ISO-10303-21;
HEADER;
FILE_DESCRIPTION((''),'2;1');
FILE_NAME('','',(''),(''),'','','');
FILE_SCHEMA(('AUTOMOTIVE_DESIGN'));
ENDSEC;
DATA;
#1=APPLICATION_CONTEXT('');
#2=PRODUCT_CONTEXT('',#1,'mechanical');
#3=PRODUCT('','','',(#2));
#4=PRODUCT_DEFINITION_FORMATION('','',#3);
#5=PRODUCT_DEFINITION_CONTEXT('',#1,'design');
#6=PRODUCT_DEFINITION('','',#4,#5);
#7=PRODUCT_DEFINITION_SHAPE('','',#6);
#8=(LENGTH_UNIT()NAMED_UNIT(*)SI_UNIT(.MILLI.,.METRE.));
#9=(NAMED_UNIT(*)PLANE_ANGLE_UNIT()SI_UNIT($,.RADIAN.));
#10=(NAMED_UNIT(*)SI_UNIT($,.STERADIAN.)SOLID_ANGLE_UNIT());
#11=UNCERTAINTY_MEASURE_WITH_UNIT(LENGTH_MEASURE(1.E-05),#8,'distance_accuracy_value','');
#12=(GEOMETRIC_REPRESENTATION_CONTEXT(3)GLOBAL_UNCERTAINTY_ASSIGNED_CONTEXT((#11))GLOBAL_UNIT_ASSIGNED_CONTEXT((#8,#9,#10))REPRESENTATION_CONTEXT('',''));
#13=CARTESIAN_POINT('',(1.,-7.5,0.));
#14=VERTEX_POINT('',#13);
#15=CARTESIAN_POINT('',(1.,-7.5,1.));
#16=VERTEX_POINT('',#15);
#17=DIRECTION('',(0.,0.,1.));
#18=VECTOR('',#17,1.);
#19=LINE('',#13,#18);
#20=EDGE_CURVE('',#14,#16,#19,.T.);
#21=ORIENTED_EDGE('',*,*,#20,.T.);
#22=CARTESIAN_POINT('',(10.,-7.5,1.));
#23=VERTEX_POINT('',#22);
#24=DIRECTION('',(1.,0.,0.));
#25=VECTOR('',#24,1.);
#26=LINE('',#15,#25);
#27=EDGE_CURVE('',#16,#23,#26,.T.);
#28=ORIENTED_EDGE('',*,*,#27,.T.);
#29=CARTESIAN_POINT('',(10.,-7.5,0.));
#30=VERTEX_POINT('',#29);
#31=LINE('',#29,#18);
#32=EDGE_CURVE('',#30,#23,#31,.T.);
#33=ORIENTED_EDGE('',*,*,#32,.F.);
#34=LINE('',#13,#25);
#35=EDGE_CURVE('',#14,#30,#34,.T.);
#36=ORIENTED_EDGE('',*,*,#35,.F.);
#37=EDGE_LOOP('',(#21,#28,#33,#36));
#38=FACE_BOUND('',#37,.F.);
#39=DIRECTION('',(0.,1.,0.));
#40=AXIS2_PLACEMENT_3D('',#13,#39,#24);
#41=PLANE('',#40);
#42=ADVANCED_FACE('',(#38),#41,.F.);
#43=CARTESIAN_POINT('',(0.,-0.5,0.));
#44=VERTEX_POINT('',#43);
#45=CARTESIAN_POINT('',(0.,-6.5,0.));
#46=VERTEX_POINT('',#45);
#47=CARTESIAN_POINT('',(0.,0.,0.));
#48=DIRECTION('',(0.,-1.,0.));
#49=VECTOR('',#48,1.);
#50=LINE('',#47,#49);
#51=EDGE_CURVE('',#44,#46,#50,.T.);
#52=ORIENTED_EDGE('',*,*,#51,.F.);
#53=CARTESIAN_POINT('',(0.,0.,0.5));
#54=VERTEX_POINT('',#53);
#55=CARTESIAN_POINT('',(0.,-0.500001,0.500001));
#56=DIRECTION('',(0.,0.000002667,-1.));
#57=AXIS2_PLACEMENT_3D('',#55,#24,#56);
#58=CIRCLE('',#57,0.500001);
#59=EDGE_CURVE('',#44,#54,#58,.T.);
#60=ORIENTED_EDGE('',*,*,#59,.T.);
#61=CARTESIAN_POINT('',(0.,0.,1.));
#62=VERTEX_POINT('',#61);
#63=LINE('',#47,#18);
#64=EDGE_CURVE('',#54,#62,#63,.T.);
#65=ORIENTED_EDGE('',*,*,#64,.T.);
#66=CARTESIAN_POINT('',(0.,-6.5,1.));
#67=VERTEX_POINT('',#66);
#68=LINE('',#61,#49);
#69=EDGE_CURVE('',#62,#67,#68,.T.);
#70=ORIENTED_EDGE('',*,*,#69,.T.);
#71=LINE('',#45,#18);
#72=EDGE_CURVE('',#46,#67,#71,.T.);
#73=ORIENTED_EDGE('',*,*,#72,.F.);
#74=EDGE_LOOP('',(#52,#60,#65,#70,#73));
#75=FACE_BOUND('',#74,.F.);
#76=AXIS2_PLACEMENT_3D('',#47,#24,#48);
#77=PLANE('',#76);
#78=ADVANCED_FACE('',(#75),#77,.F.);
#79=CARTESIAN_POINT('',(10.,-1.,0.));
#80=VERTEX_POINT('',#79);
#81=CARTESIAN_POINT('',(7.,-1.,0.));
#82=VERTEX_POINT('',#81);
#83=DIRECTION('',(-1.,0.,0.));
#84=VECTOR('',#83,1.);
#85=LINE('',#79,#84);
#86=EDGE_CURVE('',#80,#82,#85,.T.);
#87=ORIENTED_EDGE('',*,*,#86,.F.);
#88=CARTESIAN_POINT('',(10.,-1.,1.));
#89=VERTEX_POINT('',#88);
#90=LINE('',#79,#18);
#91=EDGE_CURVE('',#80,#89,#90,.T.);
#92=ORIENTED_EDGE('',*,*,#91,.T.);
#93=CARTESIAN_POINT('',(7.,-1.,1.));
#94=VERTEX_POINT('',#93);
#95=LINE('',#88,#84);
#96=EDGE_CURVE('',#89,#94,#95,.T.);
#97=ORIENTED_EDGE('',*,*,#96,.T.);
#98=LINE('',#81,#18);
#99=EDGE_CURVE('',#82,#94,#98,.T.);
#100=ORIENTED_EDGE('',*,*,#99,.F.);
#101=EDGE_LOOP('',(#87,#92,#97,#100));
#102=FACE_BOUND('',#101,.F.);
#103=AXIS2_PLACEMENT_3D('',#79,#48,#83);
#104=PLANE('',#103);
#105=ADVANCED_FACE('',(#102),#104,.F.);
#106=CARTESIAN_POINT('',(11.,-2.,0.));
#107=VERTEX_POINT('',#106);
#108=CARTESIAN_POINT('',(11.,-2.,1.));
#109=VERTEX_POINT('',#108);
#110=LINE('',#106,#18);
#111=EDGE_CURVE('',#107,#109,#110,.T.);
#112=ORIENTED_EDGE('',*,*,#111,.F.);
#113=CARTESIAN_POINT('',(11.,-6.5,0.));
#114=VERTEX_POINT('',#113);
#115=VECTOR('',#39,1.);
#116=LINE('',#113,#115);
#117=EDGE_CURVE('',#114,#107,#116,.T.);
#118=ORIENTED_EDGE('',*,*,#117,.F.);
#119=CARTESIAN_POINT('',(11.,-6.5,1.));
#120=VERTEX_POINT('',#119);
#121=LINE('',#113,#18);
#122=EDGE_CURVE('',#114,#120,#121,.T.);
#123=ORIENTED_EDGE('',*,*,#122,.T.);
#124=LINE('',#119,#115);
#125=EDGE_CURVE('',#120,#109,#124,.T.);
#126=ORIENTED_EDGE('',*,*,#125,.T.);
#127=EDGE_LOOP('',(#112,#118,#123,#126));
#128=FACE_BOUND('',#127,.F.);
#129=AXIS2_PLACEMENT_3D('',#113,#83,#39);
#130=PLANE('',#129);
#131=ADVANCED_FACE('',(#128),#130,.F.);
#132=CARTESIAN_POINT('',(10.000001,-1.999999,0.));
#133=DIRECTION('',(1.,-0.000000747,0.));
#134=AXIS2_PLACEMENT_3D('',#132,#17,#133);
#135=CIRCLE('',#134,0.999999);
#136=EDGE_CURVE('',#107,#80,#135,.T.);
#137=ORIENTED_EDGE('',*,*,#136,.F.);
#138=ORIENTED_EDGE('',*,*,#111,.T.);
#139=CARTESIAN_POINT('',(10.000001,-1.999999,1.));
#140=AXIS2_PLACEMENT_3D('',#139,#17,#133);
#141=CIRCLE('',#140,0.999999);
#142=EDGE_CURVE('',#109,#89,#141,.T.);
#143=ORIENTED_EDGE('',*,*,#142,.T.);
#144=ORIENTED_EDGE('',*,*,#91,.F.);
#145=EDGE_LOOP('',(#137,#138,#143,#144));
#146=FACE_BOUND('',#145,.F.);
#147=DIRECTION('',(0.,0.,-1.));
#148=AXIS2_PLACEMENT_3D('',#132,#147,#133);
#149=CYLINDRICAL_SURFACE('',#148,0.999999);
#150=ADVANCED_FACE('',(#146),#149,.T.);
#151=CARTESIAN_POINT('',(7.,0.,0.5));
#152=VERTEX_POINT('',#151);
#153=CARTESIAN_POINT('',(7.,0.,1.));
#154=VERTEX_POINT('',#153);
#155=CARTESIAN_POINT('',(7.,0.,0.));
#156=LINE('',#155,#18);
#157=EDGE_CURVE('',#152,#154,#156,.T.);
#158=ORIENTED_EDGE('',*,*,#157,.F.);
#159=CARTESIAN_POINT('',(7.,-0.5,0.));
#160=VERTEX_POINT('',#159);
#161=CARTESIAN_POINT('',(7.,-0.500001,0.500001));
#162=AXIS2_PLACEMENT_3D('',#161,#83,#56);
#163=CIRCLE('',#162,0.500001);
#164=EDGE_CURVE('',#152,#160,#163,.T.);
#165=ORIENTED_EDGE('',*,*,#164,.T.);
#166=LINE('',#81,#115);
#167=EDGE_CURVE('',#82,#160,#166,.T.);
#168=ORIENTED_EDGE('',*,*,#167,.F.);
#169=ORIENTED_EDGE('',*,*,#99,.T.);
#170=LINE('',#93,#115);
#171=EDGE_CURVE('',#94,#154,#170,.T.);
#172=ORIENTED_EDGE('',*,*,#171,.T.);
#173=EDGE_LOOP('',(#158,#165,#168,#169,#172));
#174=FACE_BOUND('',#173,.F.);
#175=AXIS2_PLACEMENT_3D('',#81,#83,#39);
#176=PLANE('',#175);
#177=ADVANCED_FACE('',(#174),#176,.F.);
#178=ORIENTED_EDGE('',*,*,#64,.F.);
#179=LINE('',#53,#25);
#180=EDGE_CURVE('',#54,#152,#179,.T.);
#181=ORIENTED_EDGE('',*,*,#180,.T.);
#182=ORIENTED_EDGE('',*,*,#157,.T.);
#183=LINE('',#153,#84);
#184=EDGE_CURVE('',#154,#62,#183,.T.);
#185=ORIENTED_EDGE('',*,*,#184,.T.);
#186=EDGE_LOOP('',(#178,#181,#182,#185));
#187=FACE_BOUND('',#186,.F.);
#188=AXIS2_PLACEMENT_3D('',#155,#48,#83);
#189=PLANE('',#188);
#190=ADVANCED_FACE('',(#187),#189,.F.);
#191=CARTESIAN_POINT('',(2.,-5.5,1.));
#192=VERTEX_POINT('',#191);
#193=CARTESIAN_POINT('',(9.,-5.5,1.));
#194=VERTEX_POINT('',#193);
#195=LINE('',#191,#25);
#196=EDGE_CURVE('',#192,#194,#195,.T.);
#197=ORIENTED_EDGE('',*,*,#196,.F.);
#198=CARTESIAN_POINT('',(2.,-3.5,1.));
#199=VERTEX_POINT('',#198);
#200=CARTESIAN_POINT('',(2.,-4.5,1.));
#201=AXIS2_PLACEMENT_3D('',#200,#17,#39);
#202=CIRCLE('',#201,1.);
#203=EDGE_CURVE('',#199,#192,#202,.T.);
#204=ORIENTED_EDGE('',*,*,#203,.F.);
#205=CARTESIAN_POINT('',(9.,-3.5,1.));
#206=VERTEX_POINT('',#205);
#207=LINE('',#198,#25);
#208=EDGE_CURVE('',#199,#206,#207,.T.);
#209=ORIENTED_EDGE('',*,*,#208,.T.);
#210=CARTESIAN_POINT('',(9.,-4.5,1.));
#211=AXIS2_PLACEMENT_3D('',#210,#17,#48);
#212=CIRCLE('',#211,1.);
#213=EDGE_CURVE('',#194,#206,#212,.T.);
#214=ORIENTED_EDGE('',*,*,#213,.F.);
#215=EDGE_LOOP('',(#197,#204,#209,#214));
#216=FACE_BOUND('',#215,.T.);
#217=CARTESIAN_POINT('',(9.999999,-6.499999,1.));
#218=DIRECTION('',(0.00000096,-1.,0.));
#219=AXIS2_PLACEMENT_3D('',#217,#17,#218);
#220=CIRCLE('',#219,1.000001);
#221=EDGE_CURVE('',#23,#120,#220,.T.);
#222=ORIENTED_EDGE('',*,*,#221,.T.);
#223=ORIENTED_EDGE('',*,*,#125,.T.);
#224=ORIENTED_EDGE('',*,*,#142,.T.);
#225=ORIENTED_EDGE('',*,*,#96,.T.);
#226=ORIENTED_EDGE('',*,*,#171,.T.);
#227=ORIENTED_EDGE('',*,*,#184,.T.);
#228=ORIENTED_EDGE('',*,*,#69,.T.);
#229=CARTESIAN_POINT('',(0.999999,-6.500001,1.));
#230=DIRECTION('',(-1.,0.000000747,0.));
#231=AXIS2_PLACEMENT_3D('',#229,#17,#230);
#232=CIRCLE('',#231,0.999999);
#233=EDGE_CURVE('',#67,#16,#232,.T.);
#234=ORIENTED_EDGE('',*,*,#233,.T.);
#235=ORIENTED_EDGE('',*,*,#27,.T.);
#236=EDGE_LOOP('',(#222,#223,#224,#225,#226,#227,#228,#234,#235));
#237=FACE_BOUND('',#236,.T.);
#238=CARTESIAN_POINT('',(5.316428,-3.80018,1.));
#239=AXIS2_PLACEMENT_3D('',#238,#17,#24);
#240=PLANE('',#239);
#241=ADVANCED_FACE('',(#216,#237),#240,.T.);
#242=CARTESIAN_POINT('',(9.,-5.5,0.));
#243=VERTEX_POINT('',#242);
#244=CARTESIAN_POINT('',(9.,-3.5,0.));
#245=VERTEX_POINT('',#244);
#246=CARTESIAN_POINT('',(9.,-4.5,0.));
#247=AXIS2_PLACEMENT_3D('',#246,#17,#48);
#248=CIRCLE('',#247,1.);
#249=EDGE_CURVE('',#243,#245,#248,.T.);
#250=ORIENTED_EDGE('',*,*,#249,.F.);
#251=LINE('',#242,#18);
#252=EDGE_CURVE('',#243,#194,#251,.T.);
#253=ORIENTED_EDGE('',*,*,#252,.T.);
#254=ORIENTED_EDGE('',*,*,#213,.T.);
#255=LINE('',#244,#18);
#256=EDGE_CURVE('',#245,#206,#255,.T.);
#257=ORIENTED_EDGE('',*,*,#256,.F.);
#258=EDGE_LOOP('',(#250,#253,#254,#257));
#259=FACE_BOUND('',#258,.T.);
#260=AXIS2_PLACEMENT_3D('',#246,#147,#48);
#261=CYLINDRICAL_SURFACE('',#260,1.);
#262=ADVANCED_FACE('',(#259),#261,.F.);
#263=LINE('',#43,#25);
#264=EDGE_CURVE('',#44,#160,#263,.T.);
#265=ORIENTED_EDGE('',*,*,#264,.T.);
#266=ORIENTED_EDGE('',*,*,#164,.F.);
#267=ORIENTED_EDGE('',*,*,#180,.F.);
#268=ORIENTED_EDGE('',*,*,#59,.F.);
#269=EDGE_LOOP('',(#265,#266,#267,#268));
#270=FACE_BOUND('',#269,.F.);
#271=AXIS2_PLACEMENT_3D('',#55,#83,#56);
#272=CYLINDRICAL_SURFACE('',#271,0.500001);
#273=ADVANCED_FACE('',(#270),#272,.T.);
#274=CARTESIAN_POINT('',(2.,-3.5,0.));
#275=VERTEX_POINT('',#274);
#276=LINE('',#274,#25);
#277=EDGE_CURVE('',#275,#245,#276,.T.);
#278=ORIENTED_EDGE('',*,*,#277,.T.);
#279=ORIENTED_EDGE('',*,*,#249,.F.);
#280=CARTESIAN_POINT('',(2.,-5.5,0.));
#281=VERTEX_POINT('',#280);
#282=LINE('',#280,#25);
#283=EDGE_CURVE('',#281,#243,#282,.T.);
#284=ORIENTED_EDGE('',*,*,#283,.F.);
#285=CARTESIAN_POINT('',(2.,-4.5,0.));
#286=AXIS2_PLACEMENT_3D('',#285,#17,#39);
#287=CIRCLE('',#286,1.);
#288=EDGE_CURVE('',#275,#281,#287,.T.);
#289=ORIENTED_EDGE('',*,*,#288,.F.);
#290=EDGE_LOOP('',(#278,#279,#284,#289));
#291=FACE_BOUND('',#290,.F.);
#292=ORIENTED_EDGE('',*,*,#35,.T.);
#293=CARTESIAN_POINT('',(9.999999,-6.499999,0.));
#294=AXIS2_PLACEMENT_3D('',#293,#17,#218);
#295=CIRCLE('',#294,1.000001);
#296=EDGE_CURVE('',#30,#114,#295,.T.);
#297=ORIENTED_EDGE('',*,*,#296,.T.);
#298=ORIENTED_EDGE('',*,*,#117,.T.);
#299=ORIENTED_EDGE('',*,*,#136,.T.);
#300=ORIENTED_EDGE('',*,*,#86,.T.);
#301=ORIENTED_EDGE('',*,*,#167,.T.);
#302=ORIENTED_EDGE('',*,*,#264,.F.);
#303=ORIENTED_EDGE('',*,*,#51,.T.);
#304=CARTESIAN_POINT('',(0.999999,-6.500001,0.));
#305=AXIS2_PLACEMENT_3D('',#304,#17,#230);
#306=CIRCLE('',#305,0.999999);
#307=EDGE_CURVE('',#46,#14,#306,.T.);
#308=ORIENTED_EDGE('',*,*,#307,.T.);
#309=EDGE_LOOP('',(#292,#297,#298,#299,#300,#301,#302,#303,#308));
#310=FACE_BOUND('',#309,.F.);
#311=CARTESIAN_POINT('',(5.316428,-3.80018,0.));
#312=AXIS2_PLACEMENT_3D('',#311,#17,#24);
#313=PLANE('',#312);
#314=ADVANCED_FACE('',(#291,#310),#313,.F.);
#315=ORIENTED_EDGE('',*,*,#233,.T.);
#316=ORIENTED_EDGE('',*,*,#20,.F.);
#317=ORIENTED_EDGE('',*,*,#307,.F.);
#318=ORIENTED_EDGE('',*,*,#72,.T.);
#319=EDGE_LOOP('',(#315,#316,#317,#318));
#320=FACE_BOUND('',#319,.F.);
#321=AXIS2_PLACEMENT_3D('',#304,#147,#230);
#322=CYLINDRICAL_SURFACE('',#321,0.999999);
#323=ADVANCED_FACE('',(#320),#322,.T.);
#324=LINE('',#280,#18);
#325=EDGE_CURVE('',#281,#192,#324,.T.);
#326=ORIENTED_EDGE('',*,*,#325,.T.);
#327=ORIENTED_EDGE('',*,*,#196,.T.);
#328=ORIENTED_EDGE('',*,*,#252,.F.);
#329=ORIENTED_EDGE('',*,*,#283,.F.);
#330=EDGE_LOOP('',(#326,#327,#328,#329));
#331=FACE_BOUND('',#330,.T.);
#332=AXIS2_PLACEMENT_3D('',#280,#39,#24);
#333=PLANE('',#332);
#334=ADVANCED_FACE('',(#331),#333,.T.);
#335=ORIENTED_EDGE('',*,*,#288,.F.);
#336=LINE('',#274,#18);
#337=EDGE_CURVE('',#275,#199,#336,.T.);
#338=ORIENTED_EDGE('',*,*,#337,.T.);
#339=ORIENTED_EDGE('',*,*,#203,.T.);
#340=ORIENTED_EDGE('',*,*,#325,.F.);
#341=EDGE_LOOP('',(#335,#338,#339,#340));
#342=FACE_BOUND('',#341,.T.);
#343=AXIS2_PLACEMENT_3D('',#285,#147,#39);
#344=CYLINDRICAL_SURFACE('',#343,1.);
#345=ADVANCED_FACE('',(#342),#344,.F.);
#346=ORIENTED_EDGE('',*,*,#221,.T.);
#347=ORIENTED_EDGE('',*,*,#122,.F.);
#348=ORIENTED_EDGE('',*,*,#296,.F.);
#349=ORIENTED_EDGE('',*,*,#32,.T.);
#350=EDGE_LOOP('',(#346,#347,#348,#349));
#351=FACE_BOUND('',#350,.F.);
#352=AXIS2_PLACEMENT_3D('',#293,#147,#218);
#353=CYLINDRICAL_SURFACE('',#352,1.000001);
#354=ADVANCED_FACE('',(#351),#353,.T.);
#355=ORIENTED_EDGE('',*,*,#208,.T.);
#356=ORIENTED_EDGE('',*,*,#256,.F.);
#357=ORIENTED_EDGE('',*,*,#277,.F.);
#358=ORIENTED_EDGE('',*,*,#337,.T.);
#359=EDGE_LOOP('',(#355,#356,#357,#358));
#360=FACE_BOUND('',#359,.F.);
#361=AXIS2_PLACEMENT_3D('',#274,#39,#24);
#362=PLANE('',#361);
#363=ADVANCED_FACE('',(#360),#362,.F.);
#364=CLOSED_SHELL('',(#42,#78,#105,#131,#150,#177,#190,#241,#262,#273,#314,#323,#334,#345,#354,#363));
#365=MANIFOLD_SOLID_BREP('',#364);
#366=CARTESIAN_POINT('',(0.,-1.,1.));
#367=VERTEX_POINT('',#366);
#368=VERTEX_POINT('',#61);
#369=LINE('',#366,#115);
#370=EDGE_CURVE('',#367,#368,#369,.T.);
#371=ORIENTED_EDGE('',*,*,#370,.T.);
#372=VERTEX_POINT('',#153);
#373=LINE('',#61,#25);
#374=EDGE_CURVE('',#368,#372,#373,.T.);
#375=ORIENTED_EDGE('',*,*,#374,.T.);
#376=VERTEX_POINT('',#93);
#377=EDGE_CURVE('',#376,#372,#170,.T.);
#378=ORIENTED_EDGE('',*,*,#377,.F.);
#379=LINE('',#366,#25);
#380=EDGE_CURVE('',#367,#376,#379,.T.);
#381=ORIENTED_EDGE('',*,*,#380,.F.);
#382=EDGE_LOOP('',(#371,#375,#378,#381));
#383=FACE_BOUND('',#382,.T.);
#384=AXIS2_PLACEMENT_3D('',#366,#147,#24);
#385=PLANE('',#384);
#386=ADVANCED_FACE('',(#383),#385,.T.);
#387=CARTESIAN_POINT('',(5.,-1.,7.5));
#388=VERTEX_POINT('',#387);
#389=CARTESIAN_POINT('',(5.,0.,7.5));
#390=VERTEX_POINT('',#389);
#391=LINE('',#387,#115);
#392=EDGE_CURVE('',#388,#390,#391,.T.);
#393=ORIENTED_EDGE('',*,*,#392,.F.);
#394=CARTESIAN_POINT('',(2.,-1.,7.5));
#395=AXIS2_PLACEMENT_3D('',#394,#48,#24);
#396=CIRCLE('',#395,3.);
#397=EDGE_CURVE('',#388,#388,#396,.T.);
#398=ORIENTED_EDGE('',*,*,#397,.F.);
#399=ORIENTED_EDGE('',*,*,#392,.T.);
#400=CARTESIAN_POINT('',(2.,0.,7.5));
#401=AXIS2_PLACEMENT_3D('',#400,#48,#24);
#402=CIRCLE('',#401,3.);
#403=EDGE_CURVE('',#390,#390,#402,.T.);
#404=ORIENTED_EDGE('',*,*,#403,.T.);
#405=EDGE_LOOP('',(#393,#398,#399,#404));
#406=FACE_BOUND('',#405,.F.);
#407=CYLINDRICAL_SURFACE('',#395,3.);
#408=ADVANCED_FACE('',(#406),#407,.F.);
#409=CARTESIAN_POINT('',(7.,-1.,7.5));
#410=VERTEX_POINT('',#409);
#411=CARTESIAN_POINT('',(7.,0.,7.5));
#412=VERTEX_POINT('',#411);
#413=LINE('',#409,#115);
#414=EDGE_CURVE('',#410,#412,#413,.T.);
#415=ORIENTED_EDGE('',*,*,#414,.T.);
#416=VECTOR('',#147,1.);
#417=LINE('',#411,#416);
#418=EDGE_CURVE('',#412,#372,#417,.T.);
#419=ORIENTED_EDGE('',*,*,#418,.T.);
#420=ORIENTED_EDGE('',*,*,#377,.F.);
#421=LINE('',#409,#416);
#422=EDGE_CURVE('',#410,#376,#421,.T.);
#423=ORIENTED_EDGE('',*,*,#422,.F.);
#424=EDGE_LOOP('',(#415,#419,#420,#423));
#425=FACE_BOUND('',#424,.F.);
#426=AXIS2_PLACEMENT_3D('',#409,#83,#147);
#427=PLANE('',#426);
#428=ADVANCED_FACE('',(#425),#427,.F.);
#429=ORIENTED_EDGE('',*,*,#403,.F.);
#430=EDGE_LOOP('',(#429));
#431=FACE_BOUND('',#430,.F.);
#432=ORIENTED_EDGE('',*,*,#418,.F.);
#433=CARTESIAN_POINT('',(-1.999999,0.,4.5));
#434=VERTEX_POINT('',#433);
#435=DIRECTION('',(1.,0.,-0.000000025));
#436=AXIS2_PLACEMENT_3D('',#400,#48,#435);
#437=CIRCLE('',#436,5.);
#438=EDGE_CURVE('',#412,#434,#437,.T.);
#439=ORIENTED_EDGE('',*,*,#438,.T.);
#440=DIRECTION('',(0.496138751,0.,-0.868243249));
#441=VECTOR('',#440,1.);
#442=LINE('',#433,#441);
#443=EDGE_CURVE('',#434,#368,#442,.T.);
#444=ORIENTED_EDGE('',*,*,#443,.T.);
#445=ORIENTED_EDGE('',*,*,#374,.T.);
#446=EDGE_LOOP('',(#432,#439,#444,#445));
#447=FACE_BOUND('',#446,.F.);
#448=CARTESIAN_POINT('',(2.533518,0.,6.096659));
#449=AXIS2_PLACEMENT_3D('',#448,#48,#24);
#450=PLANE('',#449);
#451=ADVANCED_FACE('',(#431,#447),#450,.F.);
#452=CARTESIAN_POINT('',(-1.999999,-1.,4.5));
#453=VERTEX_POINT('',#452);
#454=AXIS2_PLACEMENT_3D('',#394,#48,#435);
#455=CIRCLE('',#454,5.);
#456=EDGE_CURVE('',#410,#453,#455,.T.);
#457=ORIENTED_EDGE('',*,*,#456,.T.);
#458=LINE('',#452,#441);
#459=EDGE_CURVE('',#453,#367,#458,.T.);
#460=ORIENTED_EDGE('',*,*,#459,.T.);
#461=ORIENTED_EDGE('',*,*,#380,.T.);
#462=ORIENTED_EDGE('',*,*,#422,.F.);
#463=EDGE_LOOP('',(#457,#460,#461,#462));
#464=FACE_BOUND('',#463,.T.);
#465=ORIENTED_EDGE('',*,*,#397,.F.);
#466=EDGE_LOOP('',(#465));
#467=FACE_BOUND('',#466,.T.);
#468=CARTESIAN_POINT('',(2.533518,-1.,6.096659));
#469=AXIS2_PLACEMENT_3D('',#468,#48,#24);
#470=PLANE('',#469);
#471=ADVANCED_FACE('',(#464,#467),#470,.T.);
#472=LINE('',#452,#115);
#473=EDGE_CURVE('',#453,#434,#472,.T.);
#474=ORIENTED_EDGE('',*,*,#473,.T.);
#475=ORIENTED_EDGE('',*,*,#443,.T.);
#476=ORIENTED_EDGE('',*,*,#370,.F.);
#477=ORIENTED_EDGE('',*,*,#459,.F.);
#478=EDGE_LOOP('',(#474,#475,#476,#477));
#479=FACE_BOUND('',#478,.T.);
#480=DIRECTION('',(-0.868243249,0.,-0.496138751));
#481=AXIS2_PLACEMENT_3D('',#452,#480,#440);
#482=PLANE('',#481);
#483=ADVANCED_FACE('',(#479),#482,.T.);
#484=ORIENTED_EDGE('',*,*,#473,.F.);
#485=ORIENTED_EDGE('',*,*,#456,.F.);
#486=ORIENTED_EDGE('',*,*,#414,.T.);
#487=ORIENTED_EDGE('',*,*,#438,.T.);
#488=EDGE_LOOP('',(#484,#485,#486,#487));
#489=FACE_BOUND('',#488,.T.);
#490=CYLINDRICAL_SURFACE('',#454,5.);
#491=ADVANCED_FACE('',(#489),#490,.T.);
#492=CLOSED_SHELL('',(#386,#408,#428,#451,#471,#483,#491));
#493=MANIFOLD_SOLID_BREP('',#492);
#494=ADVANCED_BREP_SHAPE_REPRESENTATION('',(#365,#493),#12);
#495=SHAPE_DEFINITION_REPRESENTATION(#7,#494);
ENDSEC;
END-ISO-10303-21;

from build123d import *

# Parameters (mm, degrees)
EXTRUDE001_DEPTH                     = 1
EXTRUDE002_DEPTH                     = 15
EXTRUDE_DEPTH                        = 1
SKETCH004_AS_DRAWN_R                 = 3
EXTRUDE004_DEPTH                     = 1
EXTRUDE004_ONTO_SKETCH004_ROLL_ANGLE = 90
EXTRUDE003_DEPTH                     = 1
EXTRUDE003_ONTO_SKETCH003_ROLL_ANGLE = 90


with BuildPart() as extrude001:
    # Sketch001 → Extrude001 (new body)
    with BuildSketch(Plane.XY):
        with BuildLine():
            Line((2, -5.5), (9, -5.5))
            ThreePointArc((9, -5.5), (10, -4.5), (9, -3.5))
            Line((2, -3.5), (9, -3.5))
            ThreePointArc((2, -3.5), (1, -4.5), (2, -5.5))
        make_face()
    extrude(amount=EXTRUDE001_DEPTH)


with BuildPart() as extrude002:
    # Sketch002 → Extrude002 (new body)
    with BuildSketch(Plane.YZ):
        with BuildLine():
            ThreePointArc((-0.5, 0), (-0.146447, 0.146447), (0, 0.5))
            Line((0, 0.5), (0, 0))
            Line((-0.5, 0), (0, 0))
        make_face()
    extrude(amount=EXTRUDE002_DEPTH)


with BuildPart() as cut001:
    # Sketch → Extrude (new body)
    with BuildSketch(Plane(origin=(0, -0.5, 0), x_dir=(1, 0, 0), z_dir=(0, 0, 1))):
        with BuildLine():
            ThreePointArc((0, -6), (0.292893, -6.707107), (1, -7))
            Line((1, -7), (10, -7))
            ThreePointArc((10, -7), (10.707107, -6.707106), (11, -6))
            Line((11, -6), (11, -1.5))
            ThreePointArc((11, -1.5), (10.707107, -0.792893), (10, -0.5))
            Line((10, -0.5), (7, -0.5))
            Line((7, -0.5), (7, 0.5))
            Line((7, 0.5), (0, 0.5))
            Line((0, 0.5), (0, -6))
        make_face()
    extrude(amount=EXTRUDE_DEPTH)

    # Cut: cut Extrude002
    add(extrude002.part, mode=Mode.SUBTRACT)

    # Cut001: cut Extrude001
    add(extrude001.part, mode=Mode.SUBTRACT)


with BuildPart() as extrude004:
    # Sketch004 as drawn → Extrude004 (new)
    with BuildSketch(Plane.XY):
        with Locations((2, 8)):
            Circle(SKETCH004_AS_DRAWN_R)
    extrude(amount=-EXTRUDE004_DEPTH)


with BuildPart() as extrude004_1:
    # Extrude004 onto Sketch004 roll: moved
    add(extrude004.part.rotate(Axis((0, 0, 0), (1, 0, 0)), EXTRUDE004_ONTO_SKETCH004_ROLL_ANGLE))


with BuildPart() as extrude004_2:
    # Extrude004 onto Sketch004 placement: moved
    add(extrude004_1.part.moved(Location((0, -1, -0.5))))


with BuildPart() as cut002:
    # Sketch003 as drawn → Extrude003 (new)
    with BuildSketch(Plane.XY):
        with BuildLine():
            ThreePointArc((7, 8), (0.418861, 12.743416), (-1.999999, 5))
            Line((-1.999999, 5), (0, 1.5))
            Line((0, 1.5), (7, 1.5))
            Line((7, 8), (7, 1.5))
        make_face()
    extrude(amount=-EXTRUDE003_DEPTH)


with BuildPart() as cut002_1:
    # Extrude003 onto Sketch003 roll: moved
    add(cut002.part.rotate(Axis((0, 0, 0), (1, 0, 0)), EXTRUDE003_ONTO_SKETCH003_ROLL_ANGLE))


with BuildPart() as cut002_2:
    # Extrude003 onto Sketch003 placement: moved
    add(cut002_1.part.moved(Location((0, -1, -0.5))))

    # Cut002: cut Extrude004
    add(extrude004_2.part, mode=Mode.SUBTRACT)


solid = Compound([cut001.part, cut002_2.part])
